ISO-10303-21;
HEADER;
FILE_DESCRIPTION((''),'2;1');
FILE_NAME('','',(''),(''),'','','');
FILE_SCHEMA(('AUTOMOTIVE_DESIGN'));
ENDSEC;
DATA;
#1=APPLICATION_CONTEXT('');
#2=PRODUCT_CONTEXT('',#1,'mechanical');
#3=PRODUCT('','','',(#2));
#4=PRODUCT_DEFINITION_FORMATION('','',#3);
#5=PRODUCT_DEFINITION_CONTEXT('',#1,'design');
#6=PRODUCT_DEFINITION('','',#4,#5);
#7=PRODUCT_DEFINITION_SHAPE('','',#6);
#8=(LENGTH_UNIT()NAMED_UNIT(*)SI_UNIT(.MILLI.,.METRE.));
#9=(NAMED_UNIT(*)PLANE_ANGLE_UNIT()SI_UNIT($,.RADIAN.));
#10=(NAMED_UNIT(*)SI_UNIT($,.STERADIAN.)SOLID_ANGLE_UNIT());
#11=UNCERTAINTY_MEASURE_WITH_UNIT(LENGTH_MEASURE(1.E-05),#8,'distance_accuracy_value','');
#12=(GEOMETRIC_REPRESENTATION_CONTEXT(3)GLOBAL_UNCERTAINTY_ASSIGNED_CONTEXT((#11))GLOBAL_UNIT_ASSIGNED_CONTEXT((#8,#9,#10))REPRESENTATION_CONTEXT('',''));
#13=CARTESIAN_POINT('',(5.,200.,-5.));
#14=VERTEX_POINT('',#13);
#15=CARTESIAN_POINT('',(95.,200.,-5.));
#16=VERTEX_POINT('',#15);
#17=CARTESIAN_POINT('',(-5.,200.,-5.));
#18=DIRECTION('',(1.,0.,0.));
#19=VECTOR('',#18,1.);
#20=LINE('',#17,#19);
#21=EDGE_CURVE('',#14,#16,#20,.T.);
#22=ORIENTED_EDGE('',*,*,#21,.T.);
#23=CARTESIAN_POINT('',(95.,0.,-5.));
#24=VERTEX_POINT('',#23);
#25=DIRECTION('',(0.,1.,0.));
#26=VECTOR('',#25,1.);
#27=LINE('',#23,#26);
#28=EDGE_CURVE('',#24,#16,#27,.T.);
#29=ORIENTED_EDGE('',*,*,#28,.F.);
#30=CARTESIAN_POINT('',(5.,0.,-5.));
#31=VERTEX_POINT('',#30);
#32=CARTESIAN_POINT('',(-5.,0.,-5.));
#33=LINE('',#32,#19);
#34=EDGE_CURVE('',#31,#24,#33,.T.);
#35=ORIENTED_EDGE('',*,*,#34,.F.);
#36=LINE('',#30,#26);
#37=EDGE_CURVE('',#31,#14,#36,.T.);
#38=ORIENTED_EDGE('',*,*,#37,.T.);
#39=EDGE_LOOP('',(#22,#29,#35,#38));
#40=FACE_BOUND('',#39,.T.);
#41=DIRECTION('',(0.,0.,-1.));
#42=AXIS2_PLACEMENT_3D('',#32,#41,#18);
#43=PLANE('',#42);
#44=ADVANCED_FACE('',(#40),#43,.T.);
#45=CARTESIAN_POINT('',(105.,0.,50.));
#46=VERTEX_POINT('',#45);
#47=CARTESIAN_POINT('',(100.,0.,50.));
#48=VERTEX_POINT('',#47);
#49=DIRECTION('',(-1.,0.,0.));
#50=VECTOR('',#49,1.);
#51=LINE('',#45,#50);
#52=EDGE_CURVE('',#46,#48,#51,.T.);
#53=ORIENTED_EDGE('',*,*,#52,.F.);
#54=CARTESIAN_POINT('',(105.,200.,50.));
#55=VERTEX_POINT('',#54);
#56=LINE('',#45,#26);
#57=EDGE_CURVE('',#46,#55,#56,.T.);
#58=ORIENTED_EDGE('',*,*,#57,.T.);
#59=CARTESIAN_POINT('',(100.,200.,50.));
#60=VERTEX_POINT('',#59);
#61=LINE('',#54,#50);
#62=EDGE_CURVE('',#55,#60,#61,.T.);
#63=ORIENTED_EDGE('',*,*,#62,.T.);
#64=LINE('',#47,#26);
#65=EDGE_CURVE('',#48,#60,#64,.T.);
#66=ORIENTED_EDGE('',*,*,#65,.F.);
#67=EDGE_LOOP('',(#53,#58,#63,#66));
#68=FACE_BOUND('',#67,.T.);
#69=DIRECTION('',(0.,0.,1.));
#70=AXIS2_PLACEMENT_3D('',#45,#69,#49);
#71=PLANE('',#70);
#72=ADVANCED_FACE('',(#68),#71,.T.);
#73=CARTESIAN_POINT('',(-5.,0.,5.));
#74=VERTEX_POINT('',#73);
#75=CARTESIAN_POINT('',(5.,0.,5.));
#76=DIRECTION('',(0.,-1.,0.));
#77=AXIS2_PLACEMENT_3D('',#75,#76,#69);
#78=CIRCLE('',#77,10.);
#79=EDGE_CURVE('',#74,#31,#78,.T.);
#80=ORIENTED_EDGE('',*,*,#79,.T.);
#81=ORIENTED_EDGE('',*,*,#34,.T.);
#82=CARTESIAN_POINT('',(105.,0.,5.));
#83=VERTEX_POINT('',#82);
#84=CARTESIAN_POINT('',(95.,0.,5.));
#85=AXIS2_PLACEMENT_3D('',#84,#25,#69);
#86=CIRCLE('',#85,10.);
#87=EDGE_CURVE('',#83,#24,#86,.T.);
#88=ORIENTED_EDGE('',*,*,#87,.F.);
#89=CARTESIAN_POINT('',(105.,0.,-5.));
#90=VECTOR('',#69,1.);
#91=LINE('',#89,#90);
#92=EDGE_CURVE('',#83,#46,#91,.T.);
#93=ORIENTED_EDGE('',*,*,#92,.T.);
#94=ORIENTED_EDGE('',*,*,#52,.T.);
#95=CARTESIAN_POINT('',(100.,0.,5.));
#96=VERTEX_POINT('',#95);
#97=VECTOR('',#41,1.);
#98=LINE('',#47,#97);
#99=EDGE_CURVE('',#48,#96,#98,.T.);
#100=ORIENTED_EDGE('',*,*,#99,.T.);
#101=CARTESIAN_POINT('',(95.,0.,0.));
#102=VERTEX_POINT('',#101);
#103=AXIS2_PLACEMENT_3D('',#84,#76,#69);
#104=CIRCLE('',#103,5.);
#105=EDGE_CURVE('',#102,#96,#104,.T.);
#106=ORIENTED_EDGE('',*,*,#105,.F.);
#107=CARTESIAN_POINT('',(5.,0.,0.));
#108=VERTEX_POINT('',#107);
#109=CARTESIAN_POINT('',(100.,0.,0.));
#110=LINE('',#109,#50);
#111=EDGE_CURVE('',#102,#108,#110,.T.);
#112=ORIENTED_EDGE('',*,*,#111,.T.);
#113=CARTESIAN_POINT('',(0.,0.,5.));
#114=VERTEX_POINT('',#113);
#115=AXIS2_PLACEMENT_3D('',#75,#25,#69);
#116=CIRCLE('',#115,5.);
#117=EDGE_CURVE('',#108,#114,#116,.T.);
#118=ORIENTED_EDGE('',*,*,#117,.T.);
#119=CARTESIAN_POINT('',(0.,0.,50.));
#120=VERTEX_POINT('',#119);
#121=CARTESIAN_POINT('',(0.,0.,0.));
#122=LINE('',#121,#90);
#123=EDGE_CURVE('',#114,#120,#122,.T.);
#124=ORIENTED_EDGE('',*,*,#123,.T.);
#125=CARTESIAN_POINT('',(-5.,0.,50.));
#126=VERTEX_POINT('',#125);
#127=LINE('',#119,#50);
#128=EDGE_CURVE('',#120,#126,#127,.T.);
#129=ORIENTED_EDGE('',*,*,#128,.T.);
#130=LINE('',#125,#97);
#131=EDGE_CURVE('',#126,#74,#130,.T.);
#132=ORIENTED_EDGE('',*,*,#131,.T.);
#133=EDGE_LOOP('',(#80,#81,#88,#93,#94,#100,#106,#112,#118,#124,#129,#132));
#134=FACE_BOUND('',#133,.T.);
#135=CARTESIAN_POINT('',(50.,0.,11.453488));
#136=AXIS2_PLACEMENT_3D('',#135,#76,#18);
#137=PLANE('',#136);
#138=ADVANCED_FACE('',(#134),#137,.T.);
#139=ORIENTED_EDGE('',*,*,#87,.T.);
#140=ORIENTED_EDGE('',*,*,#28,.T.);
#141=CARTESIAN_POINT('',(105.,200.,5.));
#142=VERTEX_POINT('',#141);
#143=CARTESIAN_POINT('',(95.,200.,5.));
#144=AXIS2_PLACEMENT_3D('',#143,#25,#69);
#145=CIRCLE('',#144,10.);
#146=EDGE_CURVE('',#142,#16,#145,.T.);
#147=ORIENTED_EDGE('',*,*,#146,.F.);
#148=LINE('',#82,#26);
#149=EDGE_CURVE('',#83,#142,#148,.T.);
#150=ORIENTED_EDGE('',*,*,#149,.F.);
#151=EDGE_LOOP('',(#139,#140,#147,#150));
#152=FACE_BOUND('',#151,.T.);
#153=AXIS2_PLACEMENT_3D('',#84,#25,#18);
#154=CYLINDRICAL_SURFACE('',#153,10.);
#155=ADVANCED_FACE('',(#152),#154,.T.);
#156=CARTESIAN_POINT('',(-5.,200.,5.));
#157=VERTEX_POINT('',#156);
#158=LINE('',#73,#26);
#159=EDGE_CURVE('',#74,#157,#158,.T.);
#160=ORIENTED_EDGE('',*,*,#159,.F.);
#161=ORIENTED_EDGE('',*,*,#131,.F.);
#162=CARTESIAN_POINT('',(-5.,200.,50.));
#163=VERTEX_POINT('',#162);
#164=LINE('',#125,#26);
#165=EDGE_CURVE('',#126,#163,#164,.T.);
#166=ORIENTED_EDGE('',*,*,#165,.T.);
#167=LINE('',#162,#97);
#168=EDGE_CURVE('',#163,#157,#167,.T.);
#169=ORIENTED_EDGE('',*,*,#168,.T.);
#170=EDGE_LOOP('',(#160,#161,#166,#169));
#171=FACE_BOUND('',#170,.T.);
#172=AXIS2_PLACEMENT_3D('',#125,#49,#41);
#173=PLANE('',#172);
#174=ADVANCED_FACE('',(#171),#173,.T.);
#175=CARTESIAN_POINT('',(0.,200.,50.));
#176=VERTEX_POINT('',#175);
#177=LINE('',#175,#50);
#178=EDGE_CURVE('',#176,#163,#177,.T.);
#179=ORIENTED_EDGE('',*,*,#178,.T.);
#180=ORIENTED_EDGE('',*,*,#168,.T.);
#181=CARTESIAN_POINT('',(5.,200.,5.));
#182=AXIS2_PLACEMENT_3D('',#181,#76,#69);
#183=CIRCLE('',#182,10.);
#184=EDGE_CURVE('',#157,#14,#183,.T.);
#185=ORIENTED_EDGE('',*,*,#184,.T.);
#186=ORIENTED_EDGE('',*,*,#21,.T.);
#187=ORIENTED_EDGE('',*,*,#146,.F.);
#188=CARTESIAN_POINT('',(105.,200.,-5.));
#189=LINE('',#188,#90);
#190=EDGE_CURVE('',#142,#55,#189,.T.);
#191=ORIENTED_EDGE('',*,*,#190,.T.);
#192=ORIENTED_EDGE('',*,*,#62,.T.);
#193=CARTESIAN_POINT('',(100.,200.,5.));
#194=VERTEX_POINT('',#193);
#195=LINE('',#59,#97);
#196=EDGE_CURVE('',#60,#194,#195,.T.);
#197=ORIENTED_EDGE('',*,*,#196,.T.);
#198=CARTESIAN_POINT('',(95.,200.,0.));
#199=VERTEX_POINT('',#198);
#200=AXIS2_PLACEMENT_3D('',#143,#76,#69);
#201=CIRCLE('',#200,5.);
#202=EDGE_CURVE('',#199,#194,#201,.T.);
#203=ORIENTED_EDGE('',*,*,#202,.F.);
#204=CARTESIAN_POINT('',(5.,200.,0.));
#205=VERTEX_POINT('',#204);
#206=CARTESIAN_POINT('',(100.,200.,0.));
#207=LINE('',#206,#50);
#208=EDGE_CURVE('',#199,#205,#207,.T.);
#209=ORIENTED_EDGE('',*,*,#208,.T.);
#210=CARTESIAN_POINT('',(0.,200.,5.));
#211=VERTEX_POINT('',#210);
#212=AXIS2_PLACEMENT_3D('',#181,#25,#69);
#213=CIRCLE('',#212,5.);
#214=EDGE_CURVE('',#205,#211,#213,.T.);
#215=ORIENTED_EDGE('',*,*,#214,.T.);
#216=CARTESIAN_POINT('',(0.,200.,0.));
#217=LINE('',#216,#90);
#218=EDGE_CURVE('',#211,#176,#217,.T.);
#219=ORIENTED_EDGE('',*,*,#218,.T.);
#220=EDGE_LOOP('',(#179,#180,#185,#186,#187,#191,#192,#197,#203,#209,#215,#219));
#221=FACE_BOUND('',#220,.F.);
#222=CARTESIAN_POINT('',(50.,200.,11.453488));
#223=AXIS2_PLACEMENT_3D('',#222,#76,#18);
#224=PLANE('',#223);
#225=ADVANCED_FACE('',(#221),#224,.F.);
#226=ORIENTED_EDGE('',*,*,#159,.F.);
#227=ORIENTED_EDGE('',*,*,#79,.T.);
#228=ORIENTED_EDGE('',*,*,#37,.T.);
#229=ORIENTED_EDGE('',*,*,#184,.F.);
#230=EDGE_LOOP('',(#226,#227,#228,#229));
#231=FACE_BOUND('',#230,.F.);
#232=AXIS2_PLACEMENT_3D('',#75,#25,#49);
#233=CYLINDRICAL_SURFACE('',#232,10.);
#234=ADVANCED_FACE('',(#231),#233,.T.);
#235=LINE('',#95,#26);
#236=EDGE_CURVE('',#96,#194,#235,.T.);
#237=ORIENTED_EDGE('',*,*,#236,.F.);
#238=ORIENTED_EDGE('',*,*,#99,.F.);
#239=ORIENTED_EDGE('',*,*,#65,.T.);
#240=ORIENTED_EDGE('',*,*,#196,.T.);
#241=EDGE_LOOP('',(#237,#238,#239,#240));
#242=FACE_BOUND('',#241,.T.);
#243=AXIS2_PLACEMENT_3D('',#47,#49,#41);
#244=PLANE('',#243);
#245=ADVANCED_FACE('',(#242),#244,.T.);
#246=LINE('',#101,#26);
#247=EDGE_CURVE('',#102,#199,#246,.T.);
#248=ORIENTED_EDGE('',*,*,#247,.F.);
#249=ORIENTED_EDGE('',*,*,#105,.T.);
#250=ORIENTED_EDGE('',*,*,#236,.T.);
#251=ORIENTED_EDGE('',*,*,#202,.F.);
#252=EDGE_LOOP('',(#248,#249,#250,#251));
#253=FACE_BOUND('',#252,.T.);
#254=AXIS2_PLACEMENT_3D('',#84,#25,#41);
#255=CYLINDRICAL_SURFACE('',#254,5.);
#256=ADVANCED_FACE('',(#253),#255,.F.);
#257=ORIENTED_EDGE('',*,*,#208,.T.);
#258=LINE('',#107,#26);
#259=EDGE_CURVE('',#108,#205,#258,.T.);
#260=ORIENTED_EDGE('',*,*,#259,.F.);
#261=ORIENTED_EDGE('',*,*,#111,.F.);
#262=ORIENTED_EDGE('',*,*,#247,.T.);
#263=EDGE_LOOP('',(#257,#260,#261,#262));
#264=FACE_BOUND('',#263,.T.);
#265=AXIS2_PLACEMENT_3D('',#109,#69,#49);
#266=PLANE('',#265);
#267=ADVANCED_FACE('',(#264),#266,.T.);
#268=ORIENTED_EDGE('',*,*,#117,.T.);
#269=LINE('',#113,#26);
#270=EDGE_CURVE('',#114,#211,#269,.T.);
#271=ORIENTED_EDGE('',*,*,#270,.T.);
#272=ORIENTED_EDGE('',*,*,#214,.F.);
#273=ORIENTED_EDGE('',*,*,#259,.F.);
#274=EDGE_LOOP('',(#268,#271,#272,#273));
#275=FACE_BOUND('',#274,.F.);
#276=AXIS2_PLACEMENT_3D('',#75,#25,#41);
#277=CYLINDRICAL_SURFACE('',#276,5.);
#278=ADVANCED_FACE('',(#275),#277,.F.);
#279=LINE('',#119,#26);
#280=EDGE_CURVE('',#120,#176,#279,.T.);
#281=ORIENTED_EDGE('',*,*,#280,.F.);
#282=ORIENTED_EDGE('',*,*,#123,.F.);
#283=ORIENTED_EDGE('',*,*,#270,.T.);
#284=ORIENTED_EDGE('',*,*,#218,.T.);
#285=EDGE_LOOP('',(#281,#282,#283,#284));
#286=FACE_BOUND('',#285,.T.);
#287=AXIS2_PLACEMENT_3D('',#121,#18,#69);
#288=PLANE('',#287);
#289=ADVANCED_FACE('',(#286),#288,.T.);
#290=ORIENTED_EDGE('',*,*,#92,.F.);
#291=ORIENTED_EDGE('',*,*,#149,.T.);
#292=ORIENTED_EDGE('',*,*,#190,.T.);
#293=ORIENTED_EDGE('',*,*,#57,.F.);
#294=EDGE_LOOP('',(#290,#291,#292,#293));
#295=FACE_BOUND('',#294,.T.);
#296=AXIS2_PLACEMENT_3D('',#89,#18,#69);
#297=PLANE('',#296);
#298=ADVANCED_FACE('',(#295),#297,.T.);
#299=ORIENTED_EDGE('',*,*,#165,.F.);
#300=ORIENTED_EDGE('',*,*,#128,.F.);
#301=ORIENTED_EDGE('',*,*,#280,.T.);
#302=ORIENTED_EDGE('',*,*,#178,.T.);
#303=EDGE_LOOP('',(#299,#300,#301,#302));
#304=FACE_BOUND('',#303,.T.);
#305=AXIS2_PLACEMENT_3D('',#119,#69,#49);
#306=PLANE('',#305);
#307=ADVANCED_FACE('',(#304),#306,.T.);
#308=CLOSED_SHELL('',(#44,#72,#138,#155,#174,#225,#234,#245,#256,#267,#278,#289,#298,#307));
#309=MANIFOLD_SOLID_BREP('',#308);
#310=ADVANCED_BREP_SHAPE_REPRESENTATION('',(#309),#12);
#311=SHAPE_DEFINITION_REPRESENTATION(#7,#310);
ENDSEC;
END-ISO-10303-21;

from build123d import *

# Parameters (mm, degrees)
F1_DEPTH = 200
F2_R     = 5
F3_R     = 10


with BuildPart() as f1:
    # F0 (on Front) → F1 (new body)
    with BuildSketch(Plane.XZ):
        Polygon((100, 0), (0, 0), (0, 50), (-5, 50), (-5, -5), (105, -5), (105, 50), (100, 50), align=None)
    extrude(amount=-F1_DEPTH)

    # F2
    f2_edges = [f1.edges().sort_by_distance(p)[0] for p in [
        (0, 100, 0),
        (100, 100, 0),
    ]]
    fillet(f2_edges, radius=F2_R)

    # F3
    f3_edges = [f1.edges().sort_by_distance(p)[0] for p in [
        (105, 100, -5),
        (-5, 100, -5),
    ]]
    fillet(f3_edges, radius=F3_R)


solid = f1.part
